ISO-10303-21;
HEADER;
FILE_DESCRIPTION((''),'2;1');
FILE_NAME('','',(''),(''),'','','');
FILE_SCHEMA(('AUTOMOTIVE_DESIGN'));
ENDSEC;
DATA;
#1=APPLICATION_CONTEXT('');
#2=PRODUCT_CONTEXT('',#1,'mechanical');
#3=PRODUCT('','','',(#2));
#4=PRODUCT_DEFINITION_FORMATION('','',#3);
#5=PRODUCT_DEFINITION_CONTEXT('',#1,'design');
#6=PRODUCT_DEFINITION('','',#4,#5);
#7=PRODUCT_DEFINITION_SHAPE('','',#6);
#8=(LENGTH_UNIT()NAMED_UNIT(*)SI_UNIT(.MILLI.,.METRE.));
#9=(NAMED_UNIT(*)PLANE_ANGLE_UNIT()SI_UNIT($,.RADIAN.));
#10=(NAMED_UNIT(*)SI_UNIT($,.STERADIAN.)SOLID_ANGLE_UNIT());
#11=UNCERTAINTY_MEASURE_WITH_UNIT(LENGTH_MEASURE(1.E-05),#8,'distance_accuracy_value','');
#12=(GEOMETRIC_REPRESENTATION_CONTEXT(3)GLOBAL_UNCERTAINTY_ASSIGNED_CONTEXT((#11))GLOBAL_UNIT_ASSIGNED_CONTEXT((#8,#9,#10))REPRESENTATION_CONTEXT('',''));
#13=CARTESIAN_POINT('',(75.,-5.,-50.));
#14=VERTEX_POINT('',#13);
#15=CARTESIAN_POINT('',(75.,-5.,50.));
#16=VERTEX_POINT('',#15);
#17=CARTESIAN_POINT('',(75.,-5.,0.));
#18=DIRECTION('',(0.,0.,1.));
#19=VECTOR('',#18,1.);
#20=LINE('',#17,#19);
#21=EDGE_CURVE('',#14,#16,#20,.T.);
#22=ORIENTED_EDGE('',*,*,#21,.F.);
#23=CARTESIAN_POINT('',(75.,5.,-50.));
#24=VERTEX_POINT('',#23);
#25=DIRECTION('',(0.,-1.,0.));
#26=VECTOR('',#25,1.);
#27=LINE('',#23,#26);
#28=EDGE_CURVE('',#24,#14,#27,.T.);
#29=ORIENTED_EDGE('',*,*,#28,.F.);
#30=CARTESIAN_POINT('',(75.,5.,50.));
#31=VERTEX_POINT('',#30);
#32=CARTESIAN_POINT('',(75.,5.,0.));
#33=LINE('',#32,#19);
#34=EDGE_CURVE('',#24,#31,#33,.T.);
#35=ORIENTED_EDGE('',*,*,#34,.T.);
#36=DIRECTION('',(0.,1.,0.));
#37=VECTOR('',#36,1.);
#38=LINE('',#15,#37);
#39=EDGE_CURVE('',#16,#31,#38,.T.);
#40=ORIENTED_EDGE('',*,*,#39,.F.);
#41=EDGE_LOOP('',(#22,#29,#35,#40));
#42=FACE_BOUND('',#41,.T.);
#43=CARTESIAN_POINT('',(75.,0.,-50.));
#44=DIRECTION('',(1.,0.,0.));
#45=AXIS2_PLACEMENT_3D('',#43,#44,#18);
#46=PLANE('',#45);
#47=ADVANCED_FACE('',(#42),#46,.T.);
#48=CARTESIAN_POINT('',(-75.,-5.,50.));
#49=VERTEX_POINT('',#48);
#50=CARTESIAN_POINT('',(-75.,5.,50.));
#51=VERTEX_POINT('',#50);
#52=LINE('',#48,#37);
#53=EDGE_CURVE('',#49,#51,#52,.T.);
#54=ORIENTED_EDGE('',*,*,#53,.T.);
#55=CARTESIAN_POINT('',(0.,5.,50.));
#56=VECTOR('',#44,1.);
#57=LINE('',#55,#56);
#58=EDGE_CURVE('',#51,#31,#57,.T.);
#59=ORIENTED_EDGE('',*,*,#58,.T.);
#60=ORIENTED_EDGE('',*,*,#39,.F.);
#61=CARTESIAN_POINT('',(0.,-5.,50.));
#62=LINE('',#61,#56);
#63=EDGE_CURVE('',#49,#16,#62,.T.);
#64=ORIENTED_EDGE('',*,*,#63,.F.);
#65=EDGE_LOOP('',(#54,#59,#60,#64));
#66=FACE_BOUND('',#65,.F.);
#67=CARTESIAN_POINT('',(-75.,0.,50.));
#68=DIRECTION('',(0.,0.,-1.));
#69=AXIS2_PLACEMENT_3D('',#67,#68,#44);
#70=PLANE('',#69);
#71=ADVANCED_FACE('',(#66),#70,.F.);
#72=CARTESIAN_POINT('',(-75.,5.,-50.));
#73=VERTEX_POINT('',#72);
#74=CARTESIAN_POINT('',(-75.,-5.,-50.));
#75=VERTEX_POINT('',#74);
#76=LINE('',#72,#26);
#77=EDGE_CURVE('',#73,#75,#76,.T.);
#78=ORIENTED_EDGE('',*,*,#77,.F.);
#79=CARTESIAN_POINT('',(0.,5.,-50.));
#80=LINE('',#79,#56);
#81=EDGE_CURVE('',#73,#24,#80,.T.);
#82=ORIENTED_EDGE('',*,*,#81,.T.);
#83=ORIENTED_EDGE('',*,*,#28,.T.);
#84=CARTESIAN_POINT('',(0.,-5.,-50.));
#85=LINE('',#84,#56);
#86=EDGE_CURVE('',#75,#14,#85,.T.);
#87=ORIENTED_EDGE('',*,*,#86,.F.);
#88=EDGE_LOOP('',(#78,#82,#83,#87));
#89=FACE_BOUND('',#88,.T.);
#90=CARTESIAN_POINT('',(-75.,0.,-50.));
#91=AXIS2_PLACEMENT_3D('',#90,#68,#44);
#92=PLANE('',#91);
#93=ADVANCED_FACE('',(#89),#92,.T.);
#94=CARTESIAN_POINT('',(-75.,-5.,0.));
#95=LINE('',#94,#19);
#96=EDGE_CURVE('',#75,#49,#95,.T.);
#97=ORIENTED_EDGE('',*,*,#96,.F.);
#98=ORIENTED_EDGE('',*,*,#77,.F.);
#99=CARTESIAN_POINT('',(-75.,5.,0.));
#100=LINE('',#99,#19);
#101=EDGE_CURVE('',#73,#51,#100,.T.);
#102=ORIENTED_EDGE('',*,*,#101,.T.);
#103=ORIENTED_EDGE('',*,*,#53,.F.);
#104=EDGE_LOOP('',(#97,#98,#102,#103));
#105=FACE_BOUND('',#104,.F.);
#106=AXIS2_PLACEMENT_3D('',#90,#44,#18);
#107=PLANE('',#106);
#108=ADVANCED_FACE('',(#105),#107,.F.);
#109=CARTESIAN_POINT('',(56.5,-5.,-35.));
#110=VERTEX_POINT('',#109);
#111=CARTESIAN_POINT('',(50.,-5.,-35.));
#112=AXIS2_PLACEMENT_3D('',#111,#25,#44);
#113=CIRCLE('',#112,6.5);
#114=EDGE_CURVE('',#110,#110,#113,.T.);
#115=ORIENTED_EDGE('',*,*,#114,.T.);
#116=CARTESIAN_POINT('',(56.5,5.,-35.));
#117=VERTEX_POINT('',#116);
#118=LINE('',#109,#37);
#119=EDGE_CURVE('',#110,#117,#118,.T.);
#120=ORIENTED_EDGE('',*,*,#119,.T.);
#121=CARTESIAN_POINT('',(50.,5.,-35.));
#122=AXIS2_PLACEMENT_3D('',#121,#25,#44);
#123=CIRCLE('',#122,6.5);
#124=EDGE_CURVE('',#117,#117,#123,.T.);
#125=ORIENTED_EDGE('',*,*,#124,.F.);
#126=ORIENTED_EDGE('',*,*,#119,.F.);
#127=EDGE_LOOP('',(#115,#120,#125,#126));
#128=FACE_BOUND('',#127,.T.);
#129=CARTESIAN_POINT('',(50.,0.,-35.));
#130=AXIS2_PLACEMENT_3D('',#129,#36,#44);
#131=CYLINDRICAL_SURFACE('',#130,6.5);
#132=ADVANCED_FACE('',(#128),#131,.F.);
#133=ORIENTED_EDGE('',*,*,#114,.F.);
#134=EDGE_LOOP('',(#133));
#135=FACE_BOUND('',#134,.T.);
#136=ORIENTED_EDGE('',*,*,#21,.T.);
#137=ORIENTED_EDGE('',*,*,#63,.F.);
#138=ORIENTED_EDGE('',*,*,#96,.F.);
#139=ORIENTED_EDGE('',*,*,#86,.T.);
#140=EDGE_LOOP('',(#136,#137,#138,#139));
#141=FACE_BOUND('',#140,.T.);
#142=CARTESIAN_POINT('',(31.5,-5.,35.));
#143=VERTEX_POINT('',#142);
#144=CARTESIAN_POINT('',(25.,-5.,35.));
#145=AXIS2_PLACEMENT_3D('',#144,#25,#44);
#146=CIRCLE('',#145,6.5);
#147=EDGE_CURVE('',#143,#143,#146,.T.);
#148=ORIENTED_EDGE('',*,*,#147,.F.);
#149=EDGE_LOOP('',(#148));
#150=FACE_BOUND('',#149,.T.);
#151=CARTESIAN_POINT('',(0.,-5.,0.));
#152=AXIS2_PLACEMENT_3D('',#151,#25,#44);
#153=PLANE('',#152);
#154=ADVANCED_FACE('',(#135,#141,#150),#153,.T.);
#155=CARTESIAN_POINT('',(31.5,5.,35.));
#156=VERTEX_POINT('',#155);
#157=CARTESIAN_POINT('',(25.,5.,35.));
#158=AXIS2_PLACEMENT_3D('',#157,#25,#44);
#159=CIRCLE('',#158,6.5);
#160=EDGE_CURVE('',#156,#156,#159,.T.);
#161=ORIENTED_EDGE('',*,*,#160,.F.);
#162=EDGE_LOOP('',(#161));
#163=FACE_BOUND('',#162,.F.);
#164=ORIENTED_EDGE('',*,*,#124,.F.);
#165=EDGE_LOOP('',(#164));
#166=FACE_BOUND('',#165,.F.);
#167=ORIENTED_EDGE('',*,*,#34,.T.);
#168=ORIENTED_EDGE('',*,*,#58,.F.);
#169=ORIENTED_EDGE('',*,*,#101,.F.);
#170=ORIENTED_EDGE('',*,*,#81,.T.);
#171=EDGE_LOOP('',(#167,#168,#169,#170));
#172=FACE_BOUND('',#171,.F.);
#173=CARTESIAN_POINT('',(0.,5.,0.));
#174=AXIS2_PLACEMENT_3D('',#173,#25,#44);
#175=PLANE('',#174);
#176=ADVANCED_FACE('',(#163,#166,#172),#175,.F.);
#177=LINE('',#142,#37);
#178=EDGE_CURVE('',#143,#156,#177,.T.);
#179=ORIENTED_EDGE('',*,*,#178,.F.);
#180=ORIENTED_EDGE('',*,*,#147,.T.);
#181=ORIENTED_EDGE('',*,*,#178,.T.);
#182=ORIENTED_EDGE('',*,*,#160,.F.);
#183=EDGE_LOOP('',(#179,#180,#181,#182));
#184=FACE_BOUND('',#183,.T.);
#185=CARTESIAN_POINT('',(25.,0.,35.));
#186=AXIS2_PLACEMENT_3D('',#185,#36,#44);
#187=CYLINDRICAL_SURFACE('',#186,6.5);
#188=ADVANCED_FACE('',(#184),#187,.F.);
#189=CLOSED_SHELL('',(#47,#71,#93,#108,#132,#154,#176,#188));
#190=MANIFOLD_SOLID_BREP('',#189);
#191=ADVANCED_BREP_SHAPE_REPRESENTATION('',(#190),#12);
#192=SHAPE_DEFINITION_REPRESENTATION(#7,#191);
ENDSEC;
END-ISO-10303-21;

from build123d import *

# Parameters (mm, degrees)
F0_W     = 150
F0_H     = 100
F0_R     = 6.5
F1_DEPTH = 5


with BuildPart() as f1:
    # F0 (on Front) → F1 (new body, symmetric)
    with BuildSketch(Plane.XZ):
        Rectangle(F0_W, F0_H)
        with Locations((50, -35)):
            Circle(F0_R, mode=Mode.SUBTRACT)
        with Locations((25, 35)):
            Circle(F0_R, mode=Mode.SUBTRACT)
    extrude(amount=F1_DEPTH, both=True)


solid = f1.part
